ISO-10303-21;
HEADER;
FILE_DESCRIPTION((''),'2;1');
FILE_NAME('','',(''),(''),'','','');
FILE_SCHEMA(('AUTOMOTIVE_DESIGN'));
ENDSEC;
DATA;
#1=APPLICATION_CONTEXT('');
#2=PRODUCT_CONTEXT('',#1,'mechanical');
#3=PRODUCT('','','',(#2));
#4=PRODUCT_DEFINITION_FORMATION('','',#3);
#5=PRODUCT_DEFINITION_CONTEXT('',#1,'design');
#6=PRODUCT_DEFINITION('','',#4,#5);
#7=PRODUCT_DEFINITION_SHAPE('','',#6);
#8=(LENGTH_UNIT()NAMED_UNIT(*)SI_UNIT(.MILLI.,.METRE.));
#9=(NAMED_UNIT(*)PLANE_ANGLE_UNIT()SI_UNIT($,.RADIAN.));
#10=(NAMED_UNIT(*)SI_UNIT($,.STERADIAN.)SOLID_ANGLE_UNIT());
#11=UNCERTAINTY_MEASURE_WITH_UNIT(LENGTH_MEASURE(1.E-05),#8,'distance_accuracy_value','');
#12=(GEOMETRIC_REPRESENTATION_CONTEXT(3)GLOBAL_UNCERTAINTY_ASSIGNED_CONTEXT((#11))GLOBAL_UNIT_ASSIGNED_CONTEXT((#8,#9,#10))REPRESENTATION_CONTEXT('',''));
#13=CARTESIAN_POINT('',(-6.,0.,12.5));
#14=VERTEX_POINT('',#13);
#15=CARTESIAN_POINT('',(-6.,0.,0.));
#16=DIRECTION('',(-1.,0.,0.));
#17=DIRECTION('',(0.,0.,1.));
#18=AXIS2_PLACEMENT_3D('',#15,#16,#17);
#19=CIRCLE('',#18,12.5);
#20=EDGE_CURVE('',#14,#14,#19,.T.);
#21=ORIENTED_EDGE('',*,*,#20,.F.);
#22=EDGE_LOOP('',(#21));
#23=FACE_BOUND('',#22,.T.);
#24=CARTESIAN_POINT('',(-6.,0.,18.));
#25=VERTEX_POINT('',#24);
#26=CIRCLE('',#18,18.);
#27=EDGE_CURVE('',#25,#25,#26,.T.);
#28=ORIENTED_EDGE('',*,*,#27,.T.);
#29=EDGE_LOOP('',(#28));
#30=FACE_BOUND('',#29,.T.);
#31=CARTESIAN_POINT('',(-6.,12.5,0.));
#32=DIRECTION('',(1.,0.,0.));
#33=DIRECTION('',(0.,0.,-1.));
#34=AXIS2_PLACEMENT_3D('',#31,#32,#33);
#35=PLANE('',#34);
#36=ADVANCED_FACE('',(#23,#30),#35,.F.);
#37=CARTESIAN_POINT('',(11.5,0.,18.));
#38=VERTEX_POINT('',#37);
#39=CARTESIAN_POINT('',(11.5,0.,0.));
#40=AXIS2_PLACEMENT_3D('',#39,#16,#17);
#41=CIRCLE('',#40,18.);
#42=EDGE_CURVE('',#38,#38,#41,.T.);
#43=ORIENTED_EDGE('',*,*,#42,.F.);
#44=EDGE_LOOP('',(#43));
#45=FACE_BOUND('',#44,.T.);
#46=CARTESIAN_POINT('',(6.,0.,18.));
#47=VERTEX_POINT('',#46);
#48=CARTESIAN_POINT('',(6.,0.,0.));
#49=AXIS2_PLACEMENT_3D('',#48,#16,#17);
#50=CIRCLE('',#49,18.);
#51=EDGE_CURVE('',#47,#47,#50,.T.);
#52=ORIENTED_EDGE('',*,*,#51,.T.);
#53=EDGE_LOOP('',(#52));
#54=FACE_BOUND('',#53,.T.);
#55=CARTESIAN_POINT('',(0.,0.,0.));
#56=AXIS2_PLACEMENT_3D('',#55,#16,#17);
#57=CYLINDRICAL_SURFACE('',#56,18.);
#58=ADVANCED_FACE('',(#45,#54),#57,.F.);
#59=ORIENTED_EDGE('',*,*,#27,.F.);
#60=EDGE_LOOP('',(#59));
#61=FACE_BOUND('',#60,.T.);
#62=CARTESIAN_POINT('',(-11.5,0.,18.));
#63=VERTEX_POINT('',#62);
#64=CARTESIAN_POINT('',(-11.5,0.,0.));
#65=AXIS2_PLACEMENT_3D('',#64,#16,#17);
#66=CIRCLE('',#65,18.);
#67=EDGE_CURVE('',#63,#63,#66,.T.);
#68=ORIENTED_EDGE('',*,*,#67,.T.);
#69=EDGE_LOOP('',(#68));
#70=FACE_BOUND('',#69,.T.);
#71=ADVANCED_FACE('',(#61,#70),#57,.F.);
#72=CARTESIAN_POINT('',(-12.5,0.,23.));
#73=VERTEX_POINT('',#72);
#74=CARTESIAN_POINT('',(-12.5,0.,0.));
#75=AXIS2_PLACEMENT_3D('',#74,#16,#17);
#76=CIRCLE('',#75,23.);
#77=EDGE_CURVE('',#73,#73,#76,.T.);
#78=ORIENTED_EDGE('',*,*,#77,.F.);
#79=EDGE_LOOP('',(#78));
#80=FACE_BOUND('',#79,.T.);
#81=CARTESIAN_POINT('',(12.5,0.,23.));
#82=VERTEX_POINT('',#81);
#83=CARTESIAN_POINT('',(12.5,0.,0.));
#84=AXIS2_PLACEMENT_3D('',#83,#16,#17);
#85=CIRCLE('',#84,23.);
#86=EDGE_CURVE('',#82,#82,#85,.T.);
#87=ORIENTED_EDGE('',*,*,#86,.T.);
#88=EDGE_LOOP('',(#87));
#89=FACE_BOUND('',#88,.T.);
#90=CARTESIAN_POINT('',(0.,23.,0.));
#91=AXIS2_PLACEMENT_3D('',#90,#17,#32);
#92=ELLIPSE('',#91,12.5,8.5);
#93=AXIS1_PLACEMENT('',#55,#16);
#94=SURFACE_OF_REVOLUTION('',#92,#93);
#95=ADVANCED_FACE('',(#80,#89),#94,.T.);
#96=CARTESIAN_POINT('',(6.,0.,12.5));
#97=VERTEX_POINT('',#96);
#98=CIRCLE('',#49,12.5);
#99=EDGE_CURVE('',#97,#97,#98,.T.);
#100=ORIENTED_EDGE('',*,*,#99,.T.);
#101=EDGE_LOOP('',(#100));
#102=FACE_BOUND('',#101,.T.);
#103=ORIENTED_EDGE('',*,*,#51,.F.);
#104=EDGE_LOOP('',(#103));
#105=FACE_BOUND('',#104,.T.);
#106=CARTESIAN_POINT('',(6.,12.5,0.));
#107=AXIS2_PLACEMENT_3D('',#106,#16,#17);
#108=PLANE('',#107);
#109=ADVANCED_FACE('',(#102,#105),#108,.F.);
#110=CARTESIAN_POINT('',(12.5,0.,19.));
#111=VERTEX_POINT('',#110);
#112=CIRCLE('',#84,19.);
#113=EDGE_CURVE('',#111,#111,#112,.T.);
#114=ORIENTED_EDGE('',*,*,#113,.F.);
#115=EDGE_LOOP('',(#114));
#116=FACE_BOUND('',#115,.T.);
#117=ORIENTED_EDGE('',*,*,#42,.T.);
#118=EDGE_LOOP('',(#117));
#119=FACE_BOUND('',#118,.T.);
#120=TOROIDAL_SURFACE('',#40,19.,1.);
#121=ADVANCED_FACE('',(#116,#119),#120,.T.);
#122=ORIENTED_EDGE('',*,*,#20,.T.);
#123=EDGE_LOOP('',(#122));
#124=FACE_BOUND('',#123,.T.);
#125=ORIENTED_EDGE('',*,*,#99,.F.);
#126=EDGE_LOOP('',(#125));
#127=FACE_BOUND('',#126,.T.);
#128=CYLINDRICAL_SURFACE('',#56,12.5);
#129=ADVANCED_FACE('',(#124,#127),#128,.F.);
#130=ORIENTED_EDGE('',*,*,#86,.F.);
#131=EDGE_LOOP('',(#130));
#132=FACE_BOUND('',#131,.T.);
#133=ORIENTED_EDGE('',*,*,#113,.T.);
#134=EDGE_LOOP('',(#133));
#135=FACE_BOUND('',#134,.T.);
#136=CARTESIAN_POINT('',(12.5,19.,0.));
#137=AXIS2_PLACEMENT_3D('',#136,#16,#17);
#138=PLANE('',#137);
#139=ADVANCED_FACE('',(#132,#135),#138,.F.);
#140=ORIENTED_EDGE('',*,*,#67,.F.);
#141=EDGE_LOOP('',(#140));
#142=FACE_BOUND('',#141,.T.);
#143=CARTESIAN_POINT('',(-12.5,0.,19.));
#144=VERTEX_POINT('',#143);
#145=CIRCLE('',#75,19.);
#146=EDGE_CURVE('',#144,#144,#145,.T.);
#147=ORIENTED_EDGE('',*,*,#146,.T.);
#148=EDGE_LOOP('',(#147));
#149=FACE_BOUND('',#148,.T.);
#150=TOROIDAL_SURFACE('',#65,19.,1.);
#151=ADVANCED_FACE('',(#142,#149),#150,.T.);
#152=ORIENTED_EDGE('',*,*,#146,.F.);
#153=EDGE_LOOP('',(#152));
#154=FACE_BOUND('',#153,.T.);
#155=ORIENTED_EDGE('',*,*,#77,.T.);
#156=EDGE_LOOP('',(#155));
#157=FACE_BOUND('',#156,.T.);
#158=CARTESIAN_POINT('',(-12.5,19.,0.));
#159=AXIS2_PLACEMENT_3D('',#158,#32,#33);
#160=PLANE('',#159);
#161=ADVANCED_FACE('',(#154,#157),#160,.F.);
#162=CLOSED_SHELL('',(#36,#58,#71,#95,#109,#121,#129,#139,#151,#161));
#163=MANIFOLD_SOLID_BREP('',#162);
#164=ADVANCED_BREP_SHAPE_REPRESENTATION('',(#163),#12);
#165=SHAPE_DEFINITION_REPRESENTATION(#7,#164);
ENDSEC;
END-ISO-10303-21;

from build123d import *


with BuildPart() as part:
    # Szkic1 → Obrót1 (revolve)
    with BuildSketch(Plane.XY, mode=Mode.PRIVATE) as obr_t1_sk:
        with BuildLine():
            Line((-6, 12.5), (6, 12.5))
            Line((6, 12.5), (6, 18))
            Line((6, 18), (11.5, 18))
            ThreePointArc((11.5, 18), (12.207106781, 18.292893219), (12.5, 19))
            Line((12.5, 19), (12.5, 23))
            add(Edge.make_bspline(
                [(12.5, 23), (12.5, 31.5), (0, 31.5), (-12.5, 31.5), (-12.5, 23)],
                knots=[0, 0, 0, 1.570796327, 1.570796327, 3.141592654, 3.141592654, 3.141592654], degree=2, weights=[1, 0.707106781, 1, 0.707106781, 1]))
            Line((-12.5, 23), (-12.5, 19))
            ThreePointArc((-12.5, 19), (-12.207106781, 18.292893219), (-11.5, 18))
            Line((-11.5, 18), (-6, 18))
            Line((-6, 18), (-6, 12.5))
        make_face()
    revolve(obr_t1_sk.sketch.rotate(Axis((0, 0, 0), (1, 0, 0)), 90), axis=Axis((0, 0, 0), (1, 0, 0)))


solid = part.part
